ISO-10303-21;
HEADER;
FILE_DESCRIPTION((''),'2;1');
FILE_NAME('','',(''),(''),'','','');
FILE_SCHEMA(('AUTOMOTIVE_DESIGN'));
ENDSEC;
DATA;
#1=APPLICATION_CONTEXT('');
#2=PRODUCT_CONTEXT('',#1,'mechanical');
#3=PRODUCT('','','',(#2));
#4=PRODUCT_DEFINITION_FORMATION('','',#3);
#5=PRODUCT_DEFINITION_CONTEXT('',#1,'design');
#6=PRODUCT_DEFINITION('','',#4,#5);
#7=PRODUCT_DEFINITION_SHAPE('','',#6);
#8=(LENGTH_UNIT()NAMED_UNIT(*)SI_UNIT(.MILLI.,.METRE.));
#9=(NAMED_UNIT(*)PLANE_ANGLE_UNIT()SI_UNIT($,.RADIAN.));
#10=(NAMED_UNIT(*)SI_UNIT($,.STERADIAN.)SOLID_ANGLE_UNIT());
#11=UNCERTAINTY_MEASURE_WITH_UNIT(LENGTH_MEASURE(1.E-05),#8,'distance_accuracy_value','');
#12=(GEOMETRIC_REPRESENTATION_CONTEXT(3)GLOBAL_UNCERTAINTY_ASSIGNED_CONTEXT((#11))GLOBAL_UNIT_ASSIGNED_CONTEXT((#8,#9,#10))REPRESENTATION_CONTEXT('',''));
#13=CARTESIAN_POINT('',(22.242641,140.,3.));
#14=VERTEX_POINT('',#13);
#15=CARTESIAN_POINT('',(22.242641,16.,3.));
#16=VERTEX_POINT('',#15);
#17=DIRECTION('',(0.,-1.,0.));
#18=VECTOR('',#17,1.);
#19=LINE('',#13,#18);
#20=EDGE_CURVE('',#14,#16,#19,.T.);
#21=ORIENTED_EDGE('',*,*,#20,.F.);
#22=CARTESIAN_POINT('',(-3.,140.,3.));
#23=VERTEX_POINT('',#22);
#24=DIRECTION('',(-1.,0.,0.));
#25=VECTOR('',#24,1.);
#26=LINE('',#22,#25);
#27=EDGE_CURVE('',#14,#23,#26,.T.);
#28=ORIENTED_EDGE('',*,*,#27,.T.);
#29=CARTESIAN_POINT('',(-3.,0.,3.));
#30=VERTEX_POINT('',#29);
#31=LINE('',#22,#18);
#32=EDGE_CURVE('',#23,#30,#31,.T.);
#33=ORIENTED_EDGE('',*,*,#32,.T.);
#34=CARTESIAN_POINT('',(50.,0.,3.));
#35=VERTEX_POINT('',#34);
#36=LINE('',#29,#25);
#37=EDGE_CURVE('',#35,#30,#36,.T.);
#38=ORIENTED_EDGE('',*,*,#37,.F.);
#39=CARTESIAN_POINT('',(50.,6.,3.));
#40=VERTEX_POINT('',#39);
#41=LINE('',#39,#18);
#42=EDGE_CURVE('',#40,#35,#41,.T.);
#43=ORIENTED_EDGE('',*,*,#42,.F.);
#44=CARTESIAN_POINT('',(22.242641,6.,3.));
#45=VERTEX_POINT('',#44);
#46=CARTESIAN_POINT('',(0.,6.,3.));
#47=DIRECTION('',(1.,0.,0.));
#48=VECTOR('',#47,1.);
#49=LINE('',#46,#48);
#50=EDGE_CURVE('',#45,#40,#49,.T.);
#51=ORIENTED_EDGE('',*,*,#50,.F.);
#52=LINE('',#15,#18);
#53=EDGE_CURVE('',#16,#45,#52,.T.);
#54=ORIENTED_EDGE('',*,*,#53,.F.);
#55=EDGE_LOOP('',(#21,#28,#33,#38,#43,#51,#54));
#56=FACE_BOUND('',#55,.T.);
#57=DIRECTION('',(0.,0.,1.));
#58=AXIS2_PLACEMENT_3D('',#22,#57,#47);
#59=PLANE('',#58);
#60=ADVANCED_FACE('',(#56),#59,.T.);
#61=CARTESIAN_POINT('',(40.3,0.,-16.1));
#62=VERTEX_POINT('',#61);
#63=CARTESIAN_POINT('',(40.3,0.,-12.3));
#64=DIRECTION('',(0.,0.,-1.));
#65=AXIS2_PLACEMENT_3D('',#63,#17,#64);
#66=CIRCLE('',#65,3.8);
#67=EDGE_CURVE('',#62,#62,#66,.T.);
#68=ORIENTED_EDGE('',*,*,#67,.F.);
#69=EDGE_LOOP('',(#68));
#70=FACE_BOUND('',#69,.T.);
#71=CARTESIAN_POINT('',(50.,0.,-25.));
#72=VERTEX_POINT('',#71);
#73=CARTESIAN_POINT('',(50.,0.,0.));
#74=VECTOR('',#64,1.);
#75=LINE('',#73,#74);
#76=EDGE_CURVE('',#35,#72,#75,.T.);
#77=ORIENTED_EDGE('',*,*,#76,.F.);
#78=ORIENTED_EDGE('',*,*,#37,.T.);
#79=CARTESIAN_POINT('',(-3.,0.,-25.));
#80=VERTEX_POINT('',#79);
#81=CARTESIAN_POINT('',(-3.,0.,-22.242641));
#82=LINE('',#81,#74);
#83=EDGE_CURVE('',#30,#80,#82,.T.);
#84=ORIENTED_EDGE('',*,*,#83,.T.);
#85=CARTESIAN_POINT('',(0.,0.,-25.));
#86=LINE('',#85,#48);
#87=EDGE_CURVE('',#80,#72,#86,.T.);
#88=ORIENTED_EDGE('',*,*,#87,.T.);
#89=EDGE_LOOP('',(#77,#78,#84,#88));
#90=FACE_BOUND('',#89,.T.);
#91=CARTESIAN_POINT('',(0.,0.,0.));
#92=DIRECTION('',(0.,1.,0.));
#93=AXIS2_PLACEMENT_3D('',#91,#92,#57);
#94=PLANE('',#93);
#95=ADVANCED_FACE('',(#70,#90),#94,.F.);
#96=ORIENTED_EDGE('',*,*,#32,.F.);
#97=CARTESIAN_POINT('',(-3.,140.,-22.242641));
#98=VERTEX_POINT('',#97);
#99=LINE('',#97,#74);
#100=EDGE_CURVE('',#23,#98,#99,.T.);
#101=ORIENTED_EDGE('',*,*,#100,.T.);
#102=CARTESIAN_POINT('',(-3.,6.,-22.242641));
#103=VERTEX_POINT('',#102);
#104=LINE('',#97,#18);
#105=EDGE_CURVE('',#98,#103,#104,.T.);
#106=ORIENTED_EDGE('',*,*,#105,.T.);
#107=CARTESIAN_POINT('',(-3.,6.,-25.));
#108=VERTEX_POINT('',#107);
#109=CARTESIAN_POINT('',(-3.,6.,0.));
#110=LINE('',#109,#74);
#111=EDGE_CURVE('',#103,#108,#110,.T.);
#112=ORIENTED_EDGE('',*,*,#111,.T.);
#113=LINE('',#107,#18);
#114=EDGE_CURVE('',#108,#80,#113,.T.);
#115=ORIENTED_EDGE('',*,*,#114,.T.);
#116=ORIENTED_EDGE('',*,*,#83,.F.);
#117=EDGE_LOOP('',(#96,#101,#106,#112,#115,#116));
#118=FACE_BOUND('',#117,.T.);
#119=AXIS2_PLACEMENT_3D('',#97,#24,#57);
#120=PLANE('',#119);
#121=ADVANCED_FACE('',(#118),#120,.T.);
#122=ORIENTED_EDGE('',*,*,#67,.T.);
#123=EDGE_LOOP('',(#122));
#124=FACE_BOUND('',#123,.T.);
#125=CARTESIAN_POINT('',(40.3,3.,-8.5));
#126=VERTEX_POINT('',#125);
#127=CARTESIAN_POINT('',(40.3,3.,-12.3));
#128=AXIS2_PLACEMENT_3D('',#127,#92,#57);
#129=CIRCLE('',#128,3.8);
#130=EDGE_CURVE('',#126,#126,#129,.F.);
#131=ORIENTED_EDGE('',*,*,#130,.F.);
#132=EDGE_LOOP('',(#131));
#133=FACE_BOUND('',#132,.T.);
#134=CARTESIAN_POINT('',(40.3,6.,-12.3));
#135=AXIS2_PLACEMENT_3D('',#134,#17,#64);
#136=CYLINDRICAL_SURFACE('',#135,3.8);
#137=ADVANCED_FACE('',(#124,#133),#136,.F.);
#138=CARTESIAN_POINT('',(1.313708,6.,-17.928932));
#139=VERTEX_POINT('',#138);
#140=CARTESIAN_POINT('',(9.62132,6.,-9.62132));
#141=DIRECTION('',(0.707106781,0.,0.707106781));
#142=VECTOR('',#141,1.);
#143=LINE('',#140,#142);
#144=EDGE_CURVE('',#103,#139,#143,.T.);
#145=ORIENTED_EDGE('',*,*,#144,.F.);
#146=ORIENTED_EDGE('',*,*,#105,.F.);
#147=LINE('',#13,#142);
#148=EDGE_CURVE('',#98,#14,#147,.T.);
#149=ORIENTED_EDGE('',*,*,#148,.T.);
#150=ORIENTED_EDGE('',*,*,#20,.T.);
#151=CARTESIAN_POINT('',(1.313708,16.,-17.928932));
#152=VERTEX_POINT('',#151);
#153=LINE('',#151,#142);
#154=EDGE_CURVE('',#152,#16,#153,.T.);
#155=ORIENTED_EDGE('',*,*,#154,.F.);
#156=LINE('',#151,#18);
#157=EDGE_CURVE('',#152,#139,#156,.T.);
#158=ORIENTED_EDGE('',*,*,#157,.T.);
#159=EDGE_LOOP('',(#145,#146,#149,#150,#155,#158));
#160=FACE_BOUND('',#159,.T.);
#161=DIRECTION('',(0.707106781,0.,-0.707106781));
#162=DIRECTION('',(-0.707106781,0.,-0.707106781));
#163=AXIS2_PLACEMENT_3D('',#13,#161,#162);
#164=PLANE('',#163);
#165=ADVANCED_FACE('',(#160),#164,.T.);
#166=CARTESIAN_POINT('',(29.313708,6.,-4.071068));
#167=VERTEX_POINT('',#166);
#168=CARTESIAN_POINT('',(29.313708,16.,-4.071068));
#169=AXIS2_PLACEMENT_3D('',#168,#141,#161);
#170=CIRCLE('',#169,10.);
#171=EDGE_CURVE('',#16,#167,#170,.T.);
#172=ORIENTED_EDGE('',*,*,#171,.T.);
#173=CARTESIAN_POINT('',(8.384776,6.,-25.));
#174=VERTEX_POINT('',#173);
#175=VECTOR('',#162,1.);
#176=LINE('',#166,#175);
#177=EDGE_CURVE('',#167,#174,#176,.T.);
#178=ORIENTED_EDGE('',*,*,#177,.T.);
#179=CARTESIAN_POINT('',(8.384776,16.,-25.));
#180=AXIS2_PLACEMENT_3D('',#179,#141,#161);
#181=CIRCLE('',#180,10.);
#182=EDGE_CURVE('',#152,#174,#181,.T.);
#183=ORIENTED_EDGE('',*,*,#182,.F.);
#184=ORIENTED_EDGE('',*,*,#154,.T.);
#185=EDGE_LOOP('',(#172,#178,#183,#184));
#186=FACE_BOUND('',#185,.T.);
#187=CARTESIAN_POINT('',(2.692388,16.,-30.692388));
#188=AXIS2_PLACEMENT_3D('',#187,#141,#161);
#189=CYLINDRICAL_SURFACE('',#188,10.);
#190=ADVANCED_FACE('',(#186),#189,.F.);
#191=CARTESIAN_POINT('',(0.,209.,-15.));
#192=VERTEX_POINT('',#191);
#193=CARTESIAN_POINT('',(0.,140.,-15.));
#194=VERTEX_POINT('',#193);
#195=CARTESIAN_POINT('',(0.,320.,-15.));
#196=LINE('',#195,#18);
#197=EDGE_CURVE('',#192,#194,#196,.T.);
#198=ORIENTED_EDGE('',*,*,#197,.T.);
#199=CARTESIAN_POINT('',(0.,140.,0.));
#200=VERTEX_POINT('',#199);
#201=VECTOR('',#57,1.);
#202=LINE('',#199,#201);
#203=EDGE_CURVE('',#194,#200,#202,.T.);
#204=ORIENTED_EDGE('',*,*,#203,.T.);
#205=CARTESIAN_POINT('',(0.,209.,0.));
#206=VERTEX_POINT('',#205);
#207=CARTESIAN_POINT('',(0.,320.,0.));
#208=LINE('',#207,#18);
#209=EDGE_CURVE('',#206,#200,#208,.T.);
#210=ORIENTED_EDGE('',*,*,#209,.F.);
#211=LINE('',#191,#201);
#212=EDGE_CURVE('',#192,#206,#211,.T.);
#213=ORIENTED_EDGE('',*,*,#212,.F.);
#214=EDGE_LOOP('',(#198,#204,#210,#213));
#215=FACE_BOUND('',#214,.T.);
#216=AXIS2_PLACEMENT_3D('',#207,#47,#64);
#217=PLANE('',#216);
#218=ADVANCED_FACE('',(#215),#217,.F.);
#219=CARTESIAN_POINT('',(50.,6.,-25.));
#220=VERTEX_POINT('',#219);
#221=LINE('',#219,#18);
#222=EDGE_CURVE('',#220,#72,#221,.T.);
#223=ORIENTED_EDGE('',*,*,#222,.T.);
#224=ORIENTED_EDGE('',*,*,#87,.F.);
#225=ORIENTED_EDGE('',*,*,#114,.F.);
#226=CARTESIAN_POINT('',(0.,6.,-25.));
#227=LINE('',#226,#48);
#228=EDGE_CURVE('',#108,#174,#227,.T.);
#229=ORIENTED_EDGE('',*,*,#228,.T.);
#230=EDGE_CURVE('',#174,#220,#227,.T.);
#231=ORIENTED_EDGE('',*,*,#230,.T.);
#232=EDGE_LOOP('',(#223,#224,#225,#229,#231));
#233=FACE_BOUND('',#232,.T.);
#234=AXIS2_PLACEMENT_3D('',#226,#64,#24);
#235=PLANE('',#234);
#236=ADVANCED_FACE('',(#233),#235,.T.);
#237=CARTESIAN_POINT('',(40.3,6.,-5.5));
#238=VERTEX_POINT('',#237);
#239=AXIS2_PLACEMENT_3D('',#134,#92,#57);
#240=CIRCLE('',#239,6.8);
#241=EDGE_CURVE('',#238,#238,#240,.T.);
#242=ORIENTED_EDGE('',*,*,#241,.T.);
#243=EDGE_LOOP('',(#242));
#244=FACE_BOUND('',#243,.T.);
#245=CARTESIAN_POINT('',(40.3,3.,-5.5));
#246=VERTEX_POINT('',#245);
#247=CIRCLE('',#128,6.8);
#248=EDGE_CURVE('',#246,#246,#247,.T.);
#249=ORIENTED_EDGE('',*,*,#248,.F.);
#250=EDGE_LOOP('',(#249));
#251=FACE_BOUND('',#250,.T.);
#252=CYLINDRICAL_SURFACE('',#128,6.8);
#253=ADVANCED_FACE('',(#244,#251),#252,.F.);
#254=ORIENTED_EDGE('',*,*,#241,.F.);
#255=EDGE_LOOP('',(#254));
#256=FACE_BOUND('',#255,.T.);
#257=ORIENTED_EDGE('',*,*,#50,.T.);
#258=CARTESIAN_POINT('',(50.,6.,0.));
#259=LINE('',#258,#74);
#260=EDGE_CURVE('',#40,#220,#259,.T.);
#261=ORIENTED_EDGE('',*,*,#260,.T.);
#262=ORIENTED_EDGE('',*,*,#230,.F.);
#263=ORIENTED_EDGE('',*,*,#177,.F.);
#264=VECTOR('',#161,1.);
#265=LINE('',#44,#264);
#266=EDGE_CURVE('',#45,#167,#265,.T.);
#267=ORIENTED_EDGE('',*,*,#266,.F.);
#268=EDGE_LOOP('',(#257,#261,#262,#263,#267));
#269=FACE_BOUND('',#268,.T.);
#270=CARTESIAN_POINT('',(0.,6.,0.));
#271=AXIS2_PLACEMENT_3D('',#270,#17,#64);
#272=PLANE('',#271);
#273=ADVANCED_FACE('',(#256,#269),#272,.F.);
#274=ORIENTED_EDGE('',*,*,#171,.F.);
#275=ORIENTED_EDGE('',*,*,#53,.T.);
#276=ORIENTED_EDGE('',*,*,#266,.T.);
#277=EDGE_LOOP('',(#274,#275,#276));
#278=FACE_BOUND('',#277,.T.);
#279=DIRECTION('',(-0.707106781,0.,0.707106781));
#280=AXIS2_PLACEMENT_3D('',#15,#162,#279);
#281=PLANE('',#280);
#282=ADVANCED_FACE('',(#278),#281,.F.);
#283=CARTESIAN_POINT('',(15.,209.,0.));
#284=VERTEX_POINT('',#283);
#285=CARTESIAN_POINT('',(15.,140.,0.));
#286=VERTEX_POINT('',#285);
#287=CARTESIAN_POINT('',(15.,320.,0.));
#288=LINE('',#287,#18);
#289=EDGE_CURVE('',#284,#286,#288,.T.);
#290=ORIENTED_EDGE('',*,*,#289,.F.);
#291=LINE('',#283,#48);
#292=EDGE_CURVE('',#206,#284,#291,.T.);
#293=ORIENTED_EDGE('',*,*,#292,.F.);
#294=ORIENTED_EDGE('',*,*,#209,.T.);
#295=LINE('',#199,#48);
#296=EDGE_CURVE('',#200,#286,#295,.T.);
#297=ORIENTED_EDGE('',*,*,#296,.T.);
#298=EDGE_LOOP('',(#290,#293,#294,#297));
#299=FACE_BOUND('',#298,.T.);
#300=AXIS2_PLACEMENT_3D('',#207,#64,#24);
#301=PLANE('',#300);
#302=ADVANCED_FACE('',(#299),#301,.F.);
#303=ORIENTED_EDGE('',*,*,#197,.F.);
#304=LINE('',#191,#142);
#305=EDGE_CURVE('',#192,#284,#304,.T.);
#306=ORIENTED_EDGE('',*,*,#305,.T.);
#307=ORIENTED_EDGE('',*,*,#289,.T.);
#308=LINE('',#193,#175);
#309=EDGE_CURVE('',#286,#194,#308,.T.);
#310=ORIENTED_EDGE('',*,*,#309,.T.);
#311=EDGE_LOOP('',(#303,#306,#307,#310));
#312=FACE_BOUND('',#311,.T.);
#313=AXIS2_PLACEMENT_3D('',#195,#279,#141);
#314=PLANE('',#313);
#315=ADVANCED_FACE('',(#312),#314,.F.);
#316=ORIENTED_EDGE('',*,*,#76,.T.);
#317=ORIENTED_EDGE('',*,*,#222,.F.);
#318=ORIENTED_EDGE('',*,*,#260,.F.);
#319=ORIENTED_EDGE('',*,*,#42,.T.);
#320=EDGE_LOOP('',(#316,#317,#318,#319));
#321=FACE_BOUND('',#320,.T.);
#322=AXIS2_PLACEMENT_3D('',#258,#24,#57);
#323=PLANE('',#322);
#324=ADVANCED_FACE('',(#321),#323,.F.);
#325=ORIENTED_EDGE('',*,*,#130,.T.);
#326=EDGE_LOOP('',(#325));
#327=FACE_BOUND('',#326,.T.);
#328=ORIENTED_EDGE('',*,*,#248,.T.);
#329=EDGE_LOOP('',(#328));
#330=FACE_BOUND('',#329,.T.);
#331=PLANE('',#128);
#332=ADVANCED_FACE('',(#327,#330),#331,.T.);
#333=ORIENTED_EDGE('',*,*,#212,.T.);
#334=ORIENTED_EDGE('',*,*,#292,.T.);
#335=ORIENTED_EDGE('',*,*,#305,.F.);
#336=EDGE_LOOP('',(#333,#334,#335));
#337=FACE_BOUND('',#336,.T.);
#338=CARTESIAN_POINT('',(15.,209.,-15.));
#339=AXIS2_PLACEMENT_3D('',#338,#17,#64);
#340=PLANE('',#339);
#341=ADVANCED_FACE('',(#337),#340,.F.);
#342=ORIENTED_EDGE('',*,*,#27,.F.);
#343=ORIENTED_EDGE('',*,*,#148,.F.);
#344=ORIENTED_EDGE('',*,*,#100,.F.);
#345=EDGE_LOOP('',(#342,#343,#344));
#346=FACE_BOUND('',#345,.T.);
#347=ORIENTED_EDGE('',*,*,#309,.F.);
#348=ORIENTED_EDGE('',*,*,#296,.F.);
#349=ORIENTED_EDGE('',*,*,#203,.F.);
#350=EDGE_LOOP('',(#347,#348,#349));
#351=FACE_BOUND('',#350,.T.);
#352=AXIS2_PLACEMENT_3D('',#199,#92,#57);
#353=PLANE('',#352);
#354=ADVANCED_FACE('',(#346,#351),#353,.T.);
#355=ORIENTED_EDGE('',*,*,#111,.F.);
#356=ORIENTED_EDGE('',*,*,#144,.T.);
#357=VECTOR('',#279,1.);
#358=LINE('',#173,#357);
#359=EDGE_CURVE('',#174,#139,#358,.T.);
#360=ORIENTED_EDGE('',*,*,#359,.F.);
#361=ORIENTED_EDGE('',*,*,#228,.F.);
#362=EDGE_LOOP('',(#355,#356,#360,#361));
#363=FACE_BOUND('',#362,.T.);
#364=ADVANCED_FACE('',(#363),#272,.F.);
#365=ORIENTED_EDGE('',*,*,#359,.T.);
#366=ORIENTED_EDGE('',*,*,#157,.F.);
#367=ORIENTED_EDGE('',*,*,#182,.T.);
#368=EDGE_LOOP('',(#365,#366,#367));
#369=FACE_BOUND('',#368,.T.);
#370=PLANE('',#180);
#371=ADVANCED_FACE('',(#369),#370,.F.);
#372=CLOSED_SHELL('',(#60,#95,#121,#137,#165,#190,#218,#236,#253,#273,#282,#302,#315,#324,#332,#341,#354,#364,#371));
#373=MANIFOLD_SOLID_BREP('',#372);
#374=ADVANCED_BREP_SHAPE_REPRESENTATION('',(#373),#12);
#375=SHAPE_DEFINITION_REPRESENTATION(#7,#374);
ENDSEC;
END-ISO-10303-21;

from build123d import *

# Parameters (mm, degrees)
BOSS_EXTRUDE3_DEPTH = 320
SKETCH7_W           = 15
SKETCH7_H           = 111
CUT_EXTRUDE3_DEPTH  = 321.702354216
BOSS_EXTRUDE5_DEPTH = 140
SKETCH4_R           = 3.8
BOSS_EXTRUDE4_DEPTH = 6
BOSS_EXTRUDE6_DEPTH = 10
CUT_EXTRUDE4_DEPTH  = 216.623582748
SKETCH11_R          = 6.8
CUT_EXTRUDE5_DEPTH  = 3


with BuildPart() as part:
    # Sketch1 → Boss-Extrude3 (new body)
    with BuildSketch(Plane(origin=(0, 0, 0), x_dir=(1, 0, 0), z_dir=(0, 1, 0))):
        Polygon((0, 0), (0, 15), (15, 0), align=None)
    extrude(amount=BOSS_EXTRUDE3_DEPTH)

    # Sketch7 → Cut-Extrude3 (cut, through all)
    with BuildSketch(Plane.XY):
        with Locations((7.5, 264.5)):
            Rectangle(SKETCH7_W, SKETCH7_H)
    extrude(amount=-CUT_EXTRUDE3_DEPTH, mode=Mode.SUBTRACT)

    # Sketch8 → Boss-Extrude5 (add)
    with BuildSketch(Plane.XZ):
        Polygon((-3, -22.242640687), (-3, 3), (22.242640687, 3), align=None)
    extrude(amount=-BOSS_EXTRUDE5_DEPTH)

    # Sketch4 → Boss-Extrude4 (add)
    with BuildSketch(Plane.XZ):
        Polygon((22.242640687, 3), (-3, -22.242640687), (-3, -25), (50, -25), (50, 0), (50, 3), align=None)
        with Locations(Location((40.3, -12.3, 0), (0, 0, 270))):
            Circle(SKETCH4_R, mode=Mode.SUBTRACT)
    extrude(amount=-BOSS_EXTRUDE4_DEPTH)

    # Sketch9 → Boss-Extrude6 (add)
    with BuildSketch(Plane(origin=(0, 6, 0), x_dir=(1, 0, 0), z_dir=(0, 1, 0))):
        Polygon((22.242640687, -3), (29.313708499, 4.071067812), (8.384776311, 25), (1.313708499, 17.928932188), align=None)
    extrude(amount=BOSS_EXTRUDE6_DEPTH)

    # Sketch10 → Cut-Extrude4 (cut, through all)
    with BuildSketch(Plane(origin=(12.621320344, 0, 12.621320344), x_dir=(0.7071067811865476, 0, -0.7071067811865476), z_dir=(0.7071067811865476, 0, 0.7071067811865476))):
        with BuildLine():
            Line((13.606601718, 16), (23.606601718, 16))
            Line((23.606601718, 16), (23.606601718, 6))
            ThreePointArc((23.606601718, 6), (16.535533906, 8.928932188), (13.606601718, 16))
        make_face()
    extrude(amount=-CUT_EXTRUDE4_DEPTH, mode=Mode.SUBTRACT)

    # Sketch11 → Cut-Extrude5 (cut)
    with BuildSketch(Plane(origin=(0, 6, 0), x_dir=(1, 0, 0), z_dir=(0, 1, 0))):
        with Locations(Location((40.3, 12.3, 0), (0, 0, 270))):
            Circle(SKETCH11_R)
    extrude(amount=-CUT_EXTRUDE5_DEPTH, mode=Mode.SUBTRACT)


solid = part.part
